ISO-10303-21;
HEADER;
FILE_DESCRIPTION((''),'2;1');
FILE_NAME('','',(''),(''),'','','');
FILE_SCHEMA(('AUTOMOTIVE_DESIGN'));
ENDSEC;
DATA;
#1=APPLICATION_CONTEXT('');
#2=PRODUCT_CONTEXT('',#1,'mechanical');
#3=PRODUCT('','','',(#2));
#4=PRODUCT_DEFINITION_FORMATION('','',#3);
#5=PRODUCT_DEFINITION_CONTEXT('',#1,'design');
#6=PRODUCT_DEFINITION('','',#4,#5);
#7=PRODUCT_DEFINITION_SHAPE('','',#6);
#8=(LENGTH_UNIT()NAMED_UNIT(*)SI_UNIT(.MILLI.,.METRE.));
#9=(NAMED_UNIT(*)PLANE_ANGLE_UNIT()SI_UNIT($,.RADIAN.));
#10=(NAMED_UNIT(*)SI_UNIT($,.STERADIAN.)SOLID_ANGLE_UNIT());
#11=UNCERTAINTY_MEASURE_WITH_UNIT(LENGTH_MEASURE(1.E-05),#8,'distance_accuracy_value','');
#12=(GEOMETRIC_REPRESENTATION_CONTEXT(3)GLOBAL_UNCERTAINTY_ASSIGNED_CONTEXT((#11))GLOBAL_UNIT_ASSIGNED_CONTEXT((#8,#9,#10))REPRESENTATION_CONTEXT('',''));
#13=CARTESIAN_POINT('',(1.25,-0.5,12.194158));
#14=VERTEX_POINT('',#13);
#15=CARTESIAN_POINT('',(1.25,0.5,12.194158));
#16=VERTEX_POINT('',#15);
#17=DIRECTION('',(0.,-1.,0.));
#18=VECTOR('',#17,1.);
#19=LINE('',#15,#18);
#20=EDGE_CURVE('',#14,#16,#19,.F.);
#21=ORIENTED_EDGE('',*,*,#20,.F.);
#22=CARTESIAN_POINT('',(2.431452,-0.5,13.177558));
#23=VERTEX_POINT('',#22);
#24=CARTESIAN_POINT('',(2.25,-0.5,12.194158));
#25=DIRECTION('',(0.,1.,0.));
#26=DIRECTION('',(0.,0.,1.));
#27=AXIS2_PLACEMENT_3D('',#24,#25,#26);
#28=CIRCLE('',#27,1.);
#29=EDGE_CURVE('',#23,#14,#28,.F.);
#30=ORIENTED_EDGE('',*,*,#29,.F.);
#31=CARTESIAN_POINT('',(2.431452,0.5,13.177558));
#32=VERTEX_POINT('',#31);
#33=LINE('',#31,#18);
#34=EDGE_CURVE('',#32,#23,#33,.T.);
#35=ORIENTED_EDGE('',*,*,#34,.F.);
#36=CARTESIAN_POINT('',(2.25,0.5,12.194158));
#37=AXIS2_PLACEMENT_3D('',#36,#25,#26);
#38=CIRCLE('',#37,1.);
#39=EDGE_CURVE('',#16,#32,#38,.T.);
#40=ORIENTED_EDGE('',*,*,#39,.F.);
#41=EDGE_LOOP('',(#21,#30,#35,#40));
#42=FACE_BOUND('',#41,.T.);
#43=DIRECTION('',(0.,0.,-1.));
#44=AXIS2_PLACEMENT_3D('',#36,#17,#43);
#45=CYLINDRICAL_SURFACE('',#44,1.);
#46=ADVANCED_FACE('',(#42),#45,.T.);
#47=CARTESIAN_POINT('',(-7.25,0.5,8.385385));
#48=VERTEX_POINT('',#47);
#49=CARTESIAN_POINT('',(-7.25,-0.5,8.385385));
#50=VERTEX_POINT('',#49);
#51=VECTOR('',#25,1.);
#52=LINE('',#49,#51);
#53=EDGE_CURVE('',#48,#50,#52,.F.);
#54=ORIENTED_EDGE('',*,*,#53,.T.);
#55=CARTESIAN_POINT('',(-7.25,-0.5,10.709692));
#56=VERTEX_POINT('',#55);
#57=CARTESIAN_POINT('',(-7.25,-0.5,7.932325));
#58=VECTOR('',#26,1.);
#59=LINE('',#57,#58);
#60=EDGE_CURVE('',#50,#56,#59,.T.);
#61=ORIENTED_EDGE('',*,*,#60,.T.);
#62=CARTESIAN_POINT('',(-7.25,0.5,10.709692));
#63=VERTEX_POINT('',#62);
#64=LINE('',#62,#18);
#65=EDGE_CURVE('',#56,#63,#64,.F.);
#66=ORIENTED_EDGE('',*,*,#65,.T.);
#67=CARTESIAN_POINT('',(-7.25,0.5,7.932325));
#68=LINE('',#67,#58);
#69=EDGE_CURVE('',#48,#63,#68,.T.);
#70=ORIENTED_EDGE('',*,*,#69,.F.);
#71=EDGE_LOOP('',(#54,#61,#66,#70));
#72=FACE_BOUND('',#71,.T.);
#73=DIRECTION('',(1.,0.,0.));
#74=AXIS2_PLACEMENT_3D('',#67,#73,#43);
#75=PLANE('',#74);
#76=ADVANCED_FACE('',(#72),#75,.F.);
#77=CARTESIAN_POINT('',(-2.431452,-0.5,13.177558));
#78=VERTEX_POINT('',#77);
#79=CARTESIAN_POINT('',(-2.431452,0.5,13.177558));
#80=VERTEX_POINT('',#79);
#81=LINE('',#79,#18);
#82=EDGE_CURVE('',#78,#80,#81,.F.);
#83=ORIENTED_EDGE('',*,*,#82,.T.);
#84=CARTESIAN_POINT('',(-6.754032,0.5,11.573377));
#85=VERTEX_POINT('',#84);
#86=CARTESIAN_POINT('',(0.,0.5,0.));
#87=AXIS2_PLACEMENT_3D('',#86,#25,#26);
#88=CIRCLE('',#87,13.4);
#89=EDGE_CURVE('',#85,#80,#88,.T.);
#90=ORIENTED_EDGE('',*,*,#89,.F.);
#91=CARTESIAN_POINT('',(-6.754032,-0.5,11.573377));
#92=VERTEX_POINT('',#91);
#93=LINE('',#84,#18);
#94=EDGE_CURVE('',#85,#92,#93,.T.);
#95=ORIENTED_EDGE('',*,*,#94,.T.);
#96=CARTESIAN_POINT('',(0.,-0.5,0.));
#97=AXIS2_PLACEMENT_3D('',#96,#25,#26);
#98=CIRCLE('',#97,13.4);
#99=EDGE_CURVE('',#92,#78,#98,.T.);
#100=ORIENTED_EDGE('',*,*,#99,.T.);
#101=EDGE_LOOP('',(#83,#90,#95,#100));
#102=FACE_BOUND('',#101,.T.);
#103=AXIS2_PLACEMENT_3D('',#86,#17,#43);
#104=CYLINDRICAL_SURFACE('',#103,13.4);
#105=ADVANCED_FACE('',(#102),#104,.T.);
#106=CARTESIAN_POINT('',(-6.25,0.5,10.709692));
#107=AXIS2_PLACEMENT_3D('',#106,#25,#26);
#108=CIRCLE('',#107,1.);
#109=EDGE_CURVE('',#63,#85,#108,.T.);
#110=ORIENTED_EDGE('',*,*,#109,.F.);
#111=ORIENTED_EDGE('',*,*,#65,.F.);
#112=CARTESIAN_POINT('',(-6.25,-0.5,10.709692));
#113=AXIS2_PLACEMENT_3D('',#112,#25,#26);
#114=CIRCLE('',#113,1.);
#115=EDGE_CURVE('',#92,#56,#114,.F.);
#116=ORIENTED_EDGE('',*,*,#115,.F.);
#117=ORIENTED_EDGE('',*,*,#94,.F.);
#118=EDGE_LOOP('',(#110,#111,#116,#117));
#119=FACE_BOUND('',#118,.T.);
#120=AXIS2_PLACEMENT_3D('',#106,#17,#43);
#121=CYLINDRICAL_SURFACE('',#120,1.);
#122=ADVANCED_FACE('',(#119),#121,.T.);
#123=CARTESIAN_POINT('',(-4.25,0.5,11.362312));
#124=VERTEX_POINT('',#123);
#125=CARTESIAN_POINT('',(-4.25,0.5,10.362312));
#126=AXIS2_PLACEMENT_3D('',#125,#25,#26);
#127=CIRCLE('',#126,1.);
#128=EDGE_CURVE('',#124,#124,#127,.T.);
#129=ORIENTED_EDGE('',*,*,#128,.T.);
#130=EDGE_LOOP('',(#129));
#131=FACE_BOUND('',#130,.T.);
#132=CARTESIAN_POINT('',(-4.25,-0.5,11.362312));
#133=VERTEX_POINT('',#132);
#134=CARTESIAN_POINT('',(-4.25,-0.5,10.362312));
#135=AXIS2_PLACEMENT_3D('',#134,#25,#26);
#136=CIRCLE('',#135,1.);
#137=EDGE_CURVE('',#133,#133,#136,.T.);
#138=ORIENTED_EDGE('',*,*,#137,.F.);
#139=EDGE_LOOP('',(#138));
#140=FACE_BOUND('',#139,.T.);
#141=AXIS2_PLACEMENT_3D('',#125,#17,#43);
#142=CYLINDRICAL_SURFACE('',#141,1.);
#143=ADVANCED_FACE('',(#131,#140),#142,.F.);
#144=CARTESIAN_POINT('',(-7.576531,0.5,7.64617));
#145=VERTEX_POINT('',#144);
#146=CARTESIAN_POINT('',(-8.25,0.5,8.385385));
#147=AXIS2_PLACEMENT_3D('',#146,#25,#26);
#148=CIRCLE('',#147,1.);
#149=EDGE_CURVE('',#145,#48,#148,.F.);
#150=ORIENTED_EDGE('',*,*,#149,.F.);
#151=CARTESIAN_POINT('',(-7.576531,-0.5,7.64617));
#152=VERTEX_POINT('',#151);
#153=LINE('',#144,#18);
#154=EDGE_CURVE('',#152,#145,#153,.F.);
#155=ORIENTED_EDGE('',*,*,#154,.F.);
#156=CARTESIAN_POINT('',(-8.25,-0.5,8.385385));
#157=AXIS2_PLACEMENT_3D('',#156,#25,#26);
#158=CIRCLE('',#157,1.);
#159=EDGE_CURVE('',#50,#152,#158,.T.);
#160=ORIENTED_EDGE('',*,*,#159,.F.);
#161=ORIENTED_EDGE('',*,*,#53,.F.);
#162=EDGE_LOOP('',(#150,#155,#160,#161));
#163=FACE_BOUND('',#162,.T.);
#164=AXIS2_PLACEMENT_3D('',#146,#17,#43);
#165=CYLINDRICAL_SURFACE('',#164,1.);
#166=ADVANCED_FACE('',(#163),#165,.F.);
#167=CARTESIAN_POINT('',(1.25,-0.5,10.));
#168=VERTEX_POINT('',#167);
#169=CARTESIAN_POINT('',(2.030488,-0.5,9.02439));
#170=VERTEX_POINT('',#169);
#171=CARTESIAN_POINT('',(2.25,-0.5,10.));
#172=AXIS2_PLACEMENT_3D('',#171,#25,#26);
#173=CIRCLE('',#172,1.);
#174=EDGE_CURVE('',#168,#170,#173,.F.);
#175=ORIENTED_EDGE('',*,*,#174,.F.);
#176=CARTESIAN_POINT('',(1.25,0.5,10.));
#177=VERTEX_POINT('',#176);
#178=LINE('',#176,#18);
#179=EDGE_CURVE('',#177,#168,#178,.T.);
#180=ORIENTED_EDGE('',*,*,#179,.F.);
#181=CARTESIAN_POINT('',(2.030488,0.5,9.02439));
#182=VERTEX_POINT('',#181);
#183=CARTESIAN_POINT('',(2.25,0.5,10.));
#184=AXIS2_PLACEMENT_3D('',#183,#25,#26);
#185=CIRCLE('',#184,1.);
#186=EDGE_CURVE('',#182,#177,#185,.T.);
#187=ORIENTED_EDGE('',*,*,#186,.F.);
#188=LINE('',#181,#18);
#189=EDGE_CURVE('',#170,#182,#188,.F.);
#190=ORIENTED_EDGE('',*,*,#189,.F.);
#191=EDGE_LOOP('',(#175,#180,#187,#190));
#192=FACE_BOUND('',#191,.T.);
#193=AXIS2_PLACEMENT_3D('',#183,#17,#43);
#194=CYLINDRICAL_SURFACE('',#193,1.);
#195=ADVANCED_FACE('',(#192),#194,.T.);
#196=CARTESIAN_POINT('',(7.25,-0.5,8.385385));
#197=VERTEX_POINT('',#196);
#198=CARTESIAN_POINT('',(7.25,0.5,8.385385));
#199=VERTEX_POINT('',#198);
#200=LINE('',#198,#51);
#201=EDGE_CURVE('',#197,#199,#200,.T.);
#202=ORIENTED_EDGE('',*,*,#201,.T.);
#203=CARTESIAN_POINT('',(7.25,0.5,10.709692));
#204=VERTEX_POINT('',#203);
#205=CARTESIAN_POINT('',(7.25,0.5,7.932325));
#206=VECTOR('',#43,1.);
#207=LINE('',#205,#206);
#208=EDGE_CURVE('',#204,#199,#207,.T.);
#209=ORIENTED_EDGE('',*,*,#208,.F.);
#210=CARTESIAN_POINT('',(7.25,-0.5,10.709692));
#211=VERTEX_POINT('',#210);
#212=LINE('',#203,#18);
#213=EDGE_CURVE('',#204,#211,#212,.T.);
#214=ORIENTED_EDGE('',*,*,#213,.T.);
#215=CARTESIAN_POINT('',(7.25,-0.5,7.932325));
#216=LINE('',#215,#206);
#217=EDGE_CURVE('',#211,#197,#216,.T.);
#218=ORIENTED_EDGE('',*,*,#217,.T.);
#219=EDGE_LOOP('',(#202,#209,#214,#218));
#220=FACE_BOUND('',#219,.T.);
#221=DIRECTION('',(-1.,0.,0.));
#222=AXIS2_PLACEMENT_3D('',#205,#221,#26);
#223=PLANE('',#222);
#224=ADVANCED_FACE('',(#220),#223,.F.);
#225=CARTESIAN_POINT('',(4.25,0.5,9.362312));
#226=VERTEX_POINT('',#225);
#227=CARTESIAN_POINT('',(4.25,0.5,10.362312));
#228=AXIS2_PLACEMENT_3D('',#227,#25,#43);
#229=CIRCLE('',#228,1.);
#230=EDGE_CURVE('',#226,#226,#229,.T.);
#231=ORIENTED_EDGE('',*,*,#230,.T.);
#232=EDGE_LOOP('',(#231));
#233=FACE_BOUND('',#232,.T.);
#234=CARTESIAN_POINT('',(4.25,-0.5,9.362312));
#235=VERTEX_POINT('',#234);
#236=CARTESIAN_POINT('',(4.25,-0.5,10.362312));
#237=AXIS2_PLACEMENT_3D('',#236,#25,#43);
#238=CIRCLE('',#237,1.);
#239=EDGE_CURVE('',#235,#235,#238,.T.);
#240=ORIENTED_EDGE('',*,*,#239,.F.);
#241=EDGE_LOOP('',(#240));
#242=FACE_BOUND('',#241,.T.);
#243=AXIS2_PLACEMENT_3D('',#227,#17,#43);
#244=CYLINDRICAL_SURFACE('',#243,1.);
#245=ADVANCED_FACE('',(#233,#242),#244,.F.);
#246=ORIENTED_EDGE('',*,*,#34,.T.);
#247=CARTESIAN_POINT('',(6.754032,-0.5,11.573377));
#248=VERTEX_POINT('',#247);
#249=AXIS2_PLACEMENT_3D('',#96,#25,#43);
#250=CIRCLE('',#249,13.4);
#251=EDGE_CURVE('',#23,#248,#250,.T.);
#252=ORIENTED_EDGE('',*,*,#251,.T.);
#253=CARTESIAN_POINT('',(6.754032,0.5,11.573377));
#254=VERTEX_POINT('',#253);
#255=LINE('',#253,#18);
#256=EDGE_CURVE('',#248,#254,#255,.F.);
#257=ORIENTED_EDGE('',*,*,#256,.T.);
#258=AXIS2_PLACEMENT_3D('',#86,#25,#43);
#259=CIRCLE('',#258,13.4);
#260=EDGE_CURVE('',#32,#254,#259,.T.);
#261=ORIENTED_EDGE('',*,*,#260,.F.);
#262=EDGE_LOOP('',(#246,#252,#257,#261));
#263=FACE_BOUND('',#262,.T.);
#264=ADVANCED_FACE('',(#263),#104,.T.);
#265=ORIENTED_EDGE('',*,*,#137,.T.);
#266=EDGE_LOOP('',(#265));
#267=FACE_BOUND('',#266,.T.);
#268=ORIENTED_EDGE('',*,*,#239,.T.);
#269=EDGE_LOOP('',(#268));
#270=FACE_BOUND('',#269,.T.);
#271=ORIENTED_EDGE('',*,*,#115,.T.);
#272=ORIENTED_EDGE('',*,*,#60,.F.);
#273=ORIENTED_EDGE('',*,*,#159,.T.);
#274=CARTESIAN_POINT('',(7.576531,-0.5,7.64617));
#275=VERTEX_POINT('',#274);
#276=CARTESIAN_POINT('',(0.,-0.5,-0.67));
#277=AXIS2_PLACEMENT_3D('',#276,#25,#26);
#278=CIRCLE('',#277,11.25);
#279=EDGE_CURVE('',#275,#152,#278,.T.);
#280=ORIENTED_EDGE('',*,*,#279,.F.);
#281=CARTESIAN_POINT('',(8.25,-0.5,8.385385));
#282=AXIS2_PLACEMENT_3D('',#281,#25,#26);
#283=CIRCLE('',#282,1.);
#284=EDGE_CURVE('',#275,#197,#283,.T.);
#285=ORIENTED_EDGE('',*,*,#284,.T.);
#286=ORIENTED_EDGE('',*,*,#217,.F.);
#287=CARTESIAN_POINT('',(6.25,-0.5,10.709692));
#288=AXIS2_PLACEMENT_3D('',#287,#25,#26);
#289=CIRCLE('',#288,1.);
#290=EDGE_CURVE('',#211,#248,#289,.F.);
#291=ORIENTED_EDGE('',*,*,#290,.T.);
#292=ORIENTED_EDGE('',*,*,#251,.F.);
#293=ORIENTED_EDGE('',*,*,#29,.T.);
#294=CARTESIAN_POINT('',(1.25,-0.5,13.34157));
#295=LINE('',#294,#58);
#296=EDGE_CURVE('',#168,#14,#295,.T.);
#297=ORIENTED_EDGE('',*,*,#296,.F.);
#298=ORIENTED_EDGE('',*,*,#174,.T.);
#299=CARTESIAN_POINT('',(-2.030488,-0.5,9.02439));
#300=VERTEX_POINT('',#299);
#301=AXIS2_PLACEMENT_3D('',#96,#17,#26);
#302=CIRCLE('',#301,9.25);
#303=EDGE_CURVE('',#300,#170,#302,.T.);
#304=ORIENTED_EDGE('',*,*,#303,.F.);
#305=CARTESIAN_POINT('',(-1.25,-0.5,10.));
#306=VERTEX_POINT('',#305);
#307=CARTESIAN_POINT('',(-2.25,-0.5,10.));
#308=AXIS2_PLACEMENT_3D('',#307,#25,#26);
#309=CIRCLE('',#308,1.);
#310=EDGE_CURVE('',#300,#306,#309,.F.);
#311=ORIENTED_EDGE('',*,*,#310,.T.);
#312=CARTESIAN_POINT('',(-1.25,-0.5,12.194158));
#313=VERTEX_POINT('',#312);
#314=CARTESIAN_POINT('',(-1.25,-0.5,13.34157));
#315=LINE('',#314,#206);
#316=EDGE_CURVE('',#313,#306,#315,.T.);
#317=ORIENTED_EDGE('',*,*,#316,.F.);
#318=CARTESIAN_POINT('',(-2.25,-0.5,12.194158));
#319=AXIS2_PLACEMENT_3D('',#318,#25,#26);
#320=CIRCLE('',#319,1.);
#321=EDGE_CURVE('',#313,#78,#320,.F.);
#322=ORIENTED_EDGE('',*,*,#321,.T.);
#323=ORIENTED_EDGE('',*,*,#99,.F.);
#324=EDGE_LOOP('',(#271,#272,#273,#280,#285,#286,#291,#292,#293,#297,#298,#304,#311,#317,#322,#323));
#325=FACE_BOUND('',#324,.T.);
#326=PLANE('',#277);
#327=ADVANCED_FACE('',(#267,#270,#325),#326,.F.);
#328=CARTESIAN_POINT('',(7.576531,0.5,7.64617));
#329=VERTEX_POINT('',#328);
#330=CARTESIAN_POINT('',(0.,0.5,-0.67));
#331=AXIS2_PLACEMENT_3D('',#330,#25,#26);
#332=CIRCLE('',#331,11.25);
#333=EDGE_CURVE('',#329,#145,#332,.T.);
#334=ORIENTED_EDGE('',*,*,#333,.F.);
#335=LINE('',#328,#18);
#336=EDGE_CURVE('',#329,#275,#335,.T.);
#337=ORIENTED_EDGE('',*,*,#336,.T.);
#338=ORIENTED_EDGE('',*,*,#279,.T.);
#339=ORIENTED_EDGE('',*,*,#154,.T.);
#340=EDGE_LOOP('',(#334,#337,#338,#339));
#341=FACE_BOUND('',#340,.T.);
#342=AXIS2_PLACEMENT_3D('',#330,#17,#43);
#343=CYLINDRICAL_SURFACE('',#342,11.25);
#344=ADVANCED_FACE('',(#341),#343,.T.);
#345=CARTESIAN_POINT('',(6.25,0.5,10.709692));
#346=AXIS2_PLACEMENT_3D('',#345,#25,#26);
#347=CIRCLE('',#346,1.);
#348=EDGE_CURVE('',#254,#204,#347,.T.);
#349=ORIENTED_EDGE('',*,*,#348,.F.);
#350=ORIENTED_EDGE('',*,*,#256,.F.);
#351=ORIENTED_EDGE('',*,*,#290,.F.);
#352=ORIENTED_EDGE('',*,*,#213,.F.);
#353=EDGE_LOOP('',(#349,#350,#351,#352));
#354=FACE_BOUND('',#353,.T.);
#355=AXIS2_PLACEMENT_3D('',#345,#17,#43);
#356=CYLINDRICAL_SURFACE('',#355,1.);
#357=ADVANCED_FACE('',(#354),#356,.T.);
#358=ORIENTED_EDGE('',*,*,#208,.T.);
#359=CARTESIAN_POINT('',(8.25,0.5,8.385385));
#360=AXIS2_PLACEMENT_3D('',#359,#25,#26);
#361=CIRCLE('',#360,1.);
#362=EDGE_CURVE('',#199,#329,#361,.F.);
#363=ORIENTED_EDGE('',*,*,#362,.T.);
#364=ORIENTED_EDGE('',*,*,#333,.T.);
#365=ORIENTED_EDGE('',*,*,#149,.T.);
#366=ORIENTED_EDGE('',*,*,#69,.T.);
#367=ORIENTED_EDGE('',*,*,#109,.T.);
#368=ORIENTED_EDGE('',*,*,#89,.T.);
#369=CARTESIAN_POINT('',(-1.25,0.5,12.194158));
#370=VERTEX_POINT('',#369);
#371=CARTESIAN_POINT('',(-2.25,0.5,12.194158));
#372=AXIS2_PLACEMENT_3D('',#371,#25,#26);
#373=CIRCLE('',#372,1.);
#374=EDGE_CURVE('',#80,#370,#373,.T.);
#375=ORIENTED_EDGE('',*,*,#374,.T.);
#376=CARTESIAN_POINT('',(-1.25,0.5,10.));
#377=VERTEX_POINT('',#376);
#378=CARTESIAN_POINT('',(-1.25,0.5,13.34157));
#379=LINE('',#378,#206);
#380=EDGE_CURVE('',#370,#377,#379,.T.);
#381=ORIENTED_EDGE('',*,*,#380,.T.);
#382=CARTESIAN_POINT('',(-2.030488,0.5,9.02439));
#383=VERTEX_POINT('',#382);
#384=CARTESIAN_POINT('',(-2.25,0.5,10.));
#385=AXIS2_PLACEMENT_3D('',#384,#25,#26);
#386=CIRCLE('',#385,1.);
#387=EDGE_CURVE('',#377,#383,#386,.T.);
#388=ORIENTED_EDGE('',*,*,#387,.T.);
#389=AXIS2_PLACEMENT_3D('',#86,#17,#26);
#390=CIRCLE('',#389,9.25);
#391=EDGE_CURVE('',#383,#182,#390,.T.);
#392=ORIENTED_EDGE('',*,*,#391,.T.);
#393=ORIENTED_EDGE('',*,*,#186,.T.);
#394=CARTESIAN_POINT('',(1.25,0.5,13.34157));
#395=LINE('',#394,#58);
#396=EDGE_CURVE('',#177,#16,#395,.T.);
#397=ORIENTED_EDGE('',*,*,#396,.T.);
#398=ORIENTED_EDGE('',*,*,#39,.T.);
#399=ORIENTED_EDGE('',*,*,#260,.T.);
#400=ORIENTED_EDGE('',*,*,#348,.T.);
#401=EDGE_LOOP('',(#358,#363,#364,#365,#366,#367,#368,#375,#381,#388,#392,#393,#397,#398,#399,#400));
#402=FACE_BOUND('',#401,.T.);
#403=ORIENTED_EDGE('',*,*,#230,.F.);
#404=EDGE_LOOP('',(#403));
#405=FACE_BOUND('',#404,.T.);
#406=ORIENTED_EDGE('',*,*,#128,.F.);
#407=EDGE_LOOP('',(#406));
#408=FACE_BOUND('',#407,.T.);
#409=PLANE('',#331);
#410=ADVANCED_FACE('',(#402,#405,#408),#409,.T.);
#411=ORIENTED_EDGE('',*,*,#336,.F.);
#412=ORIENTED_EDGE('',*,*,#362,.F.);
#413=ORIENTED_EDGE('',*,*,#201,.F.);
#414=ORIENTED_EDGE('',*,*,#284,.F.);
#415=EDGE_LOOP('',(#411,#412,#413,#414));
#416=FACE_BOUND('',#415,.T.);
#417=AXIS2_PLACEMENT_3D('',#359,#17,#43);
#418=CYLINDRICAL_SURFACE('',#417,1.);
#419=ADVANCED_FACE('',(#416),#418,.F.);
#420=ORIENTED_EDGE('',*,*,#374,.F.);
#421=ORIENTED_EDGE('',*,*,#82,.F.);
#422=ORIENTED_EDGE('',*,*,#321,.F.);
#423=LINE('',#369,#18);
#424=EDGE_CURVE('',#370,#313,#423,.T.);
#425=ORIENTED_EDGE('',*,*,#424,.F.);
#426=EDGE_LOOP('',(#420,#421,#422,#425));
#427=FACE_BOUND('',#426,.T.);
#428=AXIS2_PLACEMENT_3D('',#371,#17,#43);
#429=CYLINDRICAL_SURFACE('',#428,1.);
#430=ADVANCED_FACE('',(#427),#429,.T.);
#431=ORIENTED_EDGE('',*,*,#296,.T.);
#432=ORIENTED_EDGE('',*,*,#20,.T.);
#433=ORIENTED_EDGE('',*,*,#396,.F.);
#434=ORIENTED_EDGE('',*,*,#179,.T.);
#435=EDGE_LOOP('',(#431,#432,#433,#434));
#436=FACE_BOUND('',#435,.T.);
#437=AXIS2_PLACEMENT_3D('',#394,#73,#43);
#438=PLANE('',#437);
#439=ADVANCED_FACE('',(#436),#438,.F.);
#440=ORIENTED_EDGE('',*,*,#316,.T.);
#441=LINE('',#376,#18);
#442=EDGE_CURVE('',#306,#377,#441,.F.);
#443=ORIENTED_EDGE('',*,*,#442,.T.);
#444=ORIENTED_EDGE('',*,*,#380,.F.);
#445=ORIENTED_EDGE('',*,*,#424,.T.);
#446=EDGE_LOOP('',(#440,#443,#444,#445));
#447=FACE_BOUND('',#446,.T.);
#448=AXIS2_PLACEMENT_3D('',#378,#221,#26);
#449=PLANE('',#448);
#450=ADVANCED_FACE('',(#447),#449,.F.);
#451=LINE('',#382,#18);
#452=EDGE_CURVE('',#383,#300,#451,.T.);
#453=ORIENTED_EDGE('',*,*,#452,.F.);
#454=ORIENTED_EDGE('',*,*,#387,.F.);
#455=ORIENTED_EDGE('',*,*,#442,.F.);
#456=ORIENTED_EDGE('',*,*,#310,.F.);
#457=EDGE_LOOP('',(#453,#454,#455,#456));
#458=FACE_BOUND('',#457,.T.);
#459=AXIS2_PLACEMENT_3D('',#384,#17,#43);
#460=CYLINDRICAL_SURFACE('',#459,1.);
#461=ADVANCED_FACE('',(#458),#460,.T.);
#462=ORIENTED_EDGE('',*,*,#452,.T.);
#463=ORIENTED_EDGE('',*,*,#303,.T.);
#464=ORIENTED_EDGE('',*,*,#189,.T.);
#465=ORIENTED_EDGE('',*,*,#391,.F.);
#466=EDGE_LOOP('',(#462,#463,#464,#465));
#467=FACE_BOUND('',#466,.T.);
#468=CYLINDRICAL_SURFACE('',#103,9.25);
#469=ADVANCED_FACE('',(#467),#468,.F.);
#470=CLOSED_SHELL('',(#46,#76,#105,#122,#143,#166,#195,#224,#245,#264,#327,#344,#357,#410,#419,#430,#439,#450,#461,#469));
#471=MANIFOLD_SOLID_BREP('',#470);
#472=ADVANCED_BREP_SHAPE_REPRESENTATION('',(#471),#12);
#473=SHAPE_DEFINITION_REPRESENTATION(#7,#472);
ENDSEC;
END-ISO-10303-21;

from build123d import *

# Parameters (mm, degrees)
SKETCH_1_R      = 1
EXTRUDE_1_DEPTH = 0.5
FILLET_1_R      = 1


with BuildPart() as part:
    # 草图1 → 凸台-拉伸1 (new, symmetric)
    with BuildSketch(Plane(origin=(0, 0, 0), x_dir=(1, 0, 0), z_dir=(0, 1, 0))):
        with BuildLine():
            Line((-1.25, -13.341570372), (-1.25, -9.16515139))
            ThreePointArc((-1.25, -9.16515139), (0, 9.25), (1.25, -9.16515139))
            Line((1.25, -9.16515139), (1.25, -13.341570372))
            ThreePointArc((1.25, -13.341570372), (4.374478114, -12.665857303), (7.25, -11.269316749))
            Line((7.25, -11.269316749), (7.25, -7.932325267))
            ThreePointArc((7.25, -7.932325267), (0, 11.92), (-7.25, -7.932325267))
            Line((-7.25, -7.932325267), (-7.25, -11.269316749))
            ThreePointArc((-7.25, -11.269316749), (-4.374478114, -12.665857303), (-1.25, -13.341570372))
        make_face()
        with Locations(Location((-4.25, -10.362311518, 0), (0, 0, 270))):
            Circle(SKETCH_1_R, mode=Mode.SUBTRACT)
        with Locations(Location((4.25, -10.362311518, 0), (0, 0, 90))):
            Circle(SKETCH_1_R, mode=Mode.SUBTRACT)
    extrude(amount=EXTRUDE_1_DEPTH, both=True)

    # 圆角1
    fillet_1_edges = [part.edges().sort_by_distance(p)[0] for p in [
        (7.25, 0, 7.932325267),
        (7.25, 0, 11.269316749),
        (1.25, 0, 13.341570372),
        (1.25, 0, 9.16515139),
        (-1.25, 0, 9.16515139),
        (-1.25, 0, 13.341570372),
        (-7.25, 0, 11.269316749),
        (-7.25, 0, 7.932325267),
    ]]
    fillet(fillet_1_edges, radius=FILLET_1_R)


solid = part.part
